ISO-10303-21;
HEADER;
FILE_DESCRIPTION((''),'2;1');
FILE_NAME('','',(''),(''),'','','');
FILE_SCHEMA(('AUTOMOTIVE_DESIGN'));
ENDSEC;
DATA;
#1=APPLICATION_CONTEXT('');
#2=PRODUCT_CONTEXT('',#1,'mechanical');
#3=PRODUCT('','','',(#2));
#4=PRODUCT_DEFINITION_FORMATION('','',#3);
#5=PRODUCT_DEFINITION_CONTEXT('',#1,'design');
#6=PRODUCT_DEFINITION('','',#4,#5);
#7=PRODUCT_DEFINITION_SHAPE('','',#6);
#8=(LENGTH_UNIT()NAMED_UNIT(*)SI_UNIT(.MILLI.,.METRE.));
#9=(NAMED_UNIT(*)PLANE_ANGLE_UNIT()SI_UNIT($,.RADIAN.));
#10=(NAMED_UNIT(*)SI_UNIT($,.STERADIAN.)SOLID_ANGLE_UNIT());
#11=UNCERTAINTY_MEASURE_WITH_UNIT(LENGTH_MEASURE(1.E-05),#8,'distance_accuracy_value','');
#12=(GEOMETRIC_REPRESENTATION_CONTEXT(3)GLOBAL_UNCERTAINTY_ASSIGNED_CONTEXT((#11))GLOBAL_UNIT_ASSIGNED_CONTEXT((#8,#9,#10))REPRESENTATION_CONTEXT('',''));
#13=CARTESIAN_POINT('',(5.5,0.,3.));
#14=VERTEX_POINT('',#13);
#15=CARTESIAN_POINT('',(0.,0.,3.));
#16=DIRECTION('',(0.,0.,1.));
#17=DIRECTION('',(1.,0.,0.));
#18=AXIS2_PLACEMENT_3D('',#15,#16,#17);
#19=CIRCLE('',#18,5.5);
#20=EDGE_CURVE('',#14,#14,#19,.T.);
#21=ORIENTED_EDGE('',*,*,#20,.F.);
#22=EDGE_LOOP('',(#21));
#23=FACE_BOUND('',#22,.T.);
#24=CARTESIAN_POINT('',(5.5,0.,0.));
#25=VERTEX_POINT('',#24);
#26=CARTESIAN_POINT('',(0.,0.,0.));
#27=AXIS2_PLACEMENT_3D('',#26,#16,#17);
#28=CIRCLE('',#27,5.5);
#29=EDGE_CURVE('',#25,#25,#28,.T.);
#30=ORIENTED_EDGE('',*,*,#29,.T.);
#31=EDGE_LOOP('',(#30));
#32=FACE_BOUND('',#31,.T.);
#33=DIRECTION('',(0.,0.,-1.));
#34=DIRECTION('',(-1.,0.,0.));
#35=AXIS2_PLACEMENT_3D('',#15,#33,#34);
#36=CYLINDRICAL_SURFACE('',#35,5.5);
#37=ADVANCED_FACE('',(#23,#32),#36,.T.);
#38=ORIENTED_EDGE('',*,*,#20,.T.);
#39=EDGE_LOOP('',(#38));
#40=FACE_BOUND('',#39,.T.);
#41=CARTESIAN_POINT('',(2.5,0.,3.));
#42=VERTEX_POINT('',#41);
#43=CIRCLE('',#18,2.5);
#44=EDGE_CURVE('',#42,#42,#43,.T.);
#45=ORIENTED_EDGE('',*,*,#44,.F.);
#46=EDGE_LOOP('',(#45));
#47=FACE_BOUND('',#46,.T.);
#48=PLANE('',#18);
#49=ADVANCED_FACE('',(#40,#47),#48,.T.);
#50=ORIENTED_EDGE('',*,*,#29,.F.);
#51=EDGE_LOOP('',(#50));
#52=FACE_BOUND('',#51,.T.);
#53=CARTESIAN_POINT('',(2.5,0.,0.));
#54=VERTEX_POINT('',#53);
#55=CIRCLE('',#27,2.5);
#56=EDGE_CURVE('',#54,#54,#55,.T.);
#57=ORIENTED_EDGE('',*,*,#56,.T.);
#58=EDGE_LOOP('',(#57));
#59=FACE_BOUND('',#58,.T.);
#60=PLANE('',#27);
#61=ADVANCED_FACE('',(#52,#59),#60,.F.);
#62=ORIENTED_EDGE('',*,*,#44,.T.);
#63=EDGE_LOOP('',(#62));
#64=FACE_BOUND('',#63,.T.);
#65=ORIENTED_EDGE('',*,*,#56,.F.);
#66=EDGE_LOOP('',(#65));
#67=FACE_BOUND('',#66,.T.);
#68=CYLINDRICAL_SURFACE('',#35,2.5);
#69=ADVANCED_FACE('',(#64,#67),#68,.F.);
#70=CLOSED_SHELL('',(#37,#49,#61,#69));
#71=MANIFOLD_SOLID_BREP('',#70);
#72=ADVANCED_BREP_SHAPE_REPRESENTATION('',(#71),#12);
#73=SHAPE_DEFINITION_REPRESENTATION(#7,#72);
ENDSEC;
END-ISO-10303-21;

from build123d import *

# Parameters (mm, degrees)
ESQUISSE1_R        = 5.5
ESQUISSE1_R_2      = 2.5
BOSS_EXTRU_1_DEPTH = 3


with BuildPart() as part:
    # Esquisse1 → Boss.-Extru.1 (new body)
    with BuildSketch(Plane.XY):
        Circle(ESQUISSE1_R)
        Circle(ESQUISSE1_R_2, mode=Mode.SUBTRACT)
    extrude(amount=BOSS_EXTRU_1_DEPTH)


solid = part.part
